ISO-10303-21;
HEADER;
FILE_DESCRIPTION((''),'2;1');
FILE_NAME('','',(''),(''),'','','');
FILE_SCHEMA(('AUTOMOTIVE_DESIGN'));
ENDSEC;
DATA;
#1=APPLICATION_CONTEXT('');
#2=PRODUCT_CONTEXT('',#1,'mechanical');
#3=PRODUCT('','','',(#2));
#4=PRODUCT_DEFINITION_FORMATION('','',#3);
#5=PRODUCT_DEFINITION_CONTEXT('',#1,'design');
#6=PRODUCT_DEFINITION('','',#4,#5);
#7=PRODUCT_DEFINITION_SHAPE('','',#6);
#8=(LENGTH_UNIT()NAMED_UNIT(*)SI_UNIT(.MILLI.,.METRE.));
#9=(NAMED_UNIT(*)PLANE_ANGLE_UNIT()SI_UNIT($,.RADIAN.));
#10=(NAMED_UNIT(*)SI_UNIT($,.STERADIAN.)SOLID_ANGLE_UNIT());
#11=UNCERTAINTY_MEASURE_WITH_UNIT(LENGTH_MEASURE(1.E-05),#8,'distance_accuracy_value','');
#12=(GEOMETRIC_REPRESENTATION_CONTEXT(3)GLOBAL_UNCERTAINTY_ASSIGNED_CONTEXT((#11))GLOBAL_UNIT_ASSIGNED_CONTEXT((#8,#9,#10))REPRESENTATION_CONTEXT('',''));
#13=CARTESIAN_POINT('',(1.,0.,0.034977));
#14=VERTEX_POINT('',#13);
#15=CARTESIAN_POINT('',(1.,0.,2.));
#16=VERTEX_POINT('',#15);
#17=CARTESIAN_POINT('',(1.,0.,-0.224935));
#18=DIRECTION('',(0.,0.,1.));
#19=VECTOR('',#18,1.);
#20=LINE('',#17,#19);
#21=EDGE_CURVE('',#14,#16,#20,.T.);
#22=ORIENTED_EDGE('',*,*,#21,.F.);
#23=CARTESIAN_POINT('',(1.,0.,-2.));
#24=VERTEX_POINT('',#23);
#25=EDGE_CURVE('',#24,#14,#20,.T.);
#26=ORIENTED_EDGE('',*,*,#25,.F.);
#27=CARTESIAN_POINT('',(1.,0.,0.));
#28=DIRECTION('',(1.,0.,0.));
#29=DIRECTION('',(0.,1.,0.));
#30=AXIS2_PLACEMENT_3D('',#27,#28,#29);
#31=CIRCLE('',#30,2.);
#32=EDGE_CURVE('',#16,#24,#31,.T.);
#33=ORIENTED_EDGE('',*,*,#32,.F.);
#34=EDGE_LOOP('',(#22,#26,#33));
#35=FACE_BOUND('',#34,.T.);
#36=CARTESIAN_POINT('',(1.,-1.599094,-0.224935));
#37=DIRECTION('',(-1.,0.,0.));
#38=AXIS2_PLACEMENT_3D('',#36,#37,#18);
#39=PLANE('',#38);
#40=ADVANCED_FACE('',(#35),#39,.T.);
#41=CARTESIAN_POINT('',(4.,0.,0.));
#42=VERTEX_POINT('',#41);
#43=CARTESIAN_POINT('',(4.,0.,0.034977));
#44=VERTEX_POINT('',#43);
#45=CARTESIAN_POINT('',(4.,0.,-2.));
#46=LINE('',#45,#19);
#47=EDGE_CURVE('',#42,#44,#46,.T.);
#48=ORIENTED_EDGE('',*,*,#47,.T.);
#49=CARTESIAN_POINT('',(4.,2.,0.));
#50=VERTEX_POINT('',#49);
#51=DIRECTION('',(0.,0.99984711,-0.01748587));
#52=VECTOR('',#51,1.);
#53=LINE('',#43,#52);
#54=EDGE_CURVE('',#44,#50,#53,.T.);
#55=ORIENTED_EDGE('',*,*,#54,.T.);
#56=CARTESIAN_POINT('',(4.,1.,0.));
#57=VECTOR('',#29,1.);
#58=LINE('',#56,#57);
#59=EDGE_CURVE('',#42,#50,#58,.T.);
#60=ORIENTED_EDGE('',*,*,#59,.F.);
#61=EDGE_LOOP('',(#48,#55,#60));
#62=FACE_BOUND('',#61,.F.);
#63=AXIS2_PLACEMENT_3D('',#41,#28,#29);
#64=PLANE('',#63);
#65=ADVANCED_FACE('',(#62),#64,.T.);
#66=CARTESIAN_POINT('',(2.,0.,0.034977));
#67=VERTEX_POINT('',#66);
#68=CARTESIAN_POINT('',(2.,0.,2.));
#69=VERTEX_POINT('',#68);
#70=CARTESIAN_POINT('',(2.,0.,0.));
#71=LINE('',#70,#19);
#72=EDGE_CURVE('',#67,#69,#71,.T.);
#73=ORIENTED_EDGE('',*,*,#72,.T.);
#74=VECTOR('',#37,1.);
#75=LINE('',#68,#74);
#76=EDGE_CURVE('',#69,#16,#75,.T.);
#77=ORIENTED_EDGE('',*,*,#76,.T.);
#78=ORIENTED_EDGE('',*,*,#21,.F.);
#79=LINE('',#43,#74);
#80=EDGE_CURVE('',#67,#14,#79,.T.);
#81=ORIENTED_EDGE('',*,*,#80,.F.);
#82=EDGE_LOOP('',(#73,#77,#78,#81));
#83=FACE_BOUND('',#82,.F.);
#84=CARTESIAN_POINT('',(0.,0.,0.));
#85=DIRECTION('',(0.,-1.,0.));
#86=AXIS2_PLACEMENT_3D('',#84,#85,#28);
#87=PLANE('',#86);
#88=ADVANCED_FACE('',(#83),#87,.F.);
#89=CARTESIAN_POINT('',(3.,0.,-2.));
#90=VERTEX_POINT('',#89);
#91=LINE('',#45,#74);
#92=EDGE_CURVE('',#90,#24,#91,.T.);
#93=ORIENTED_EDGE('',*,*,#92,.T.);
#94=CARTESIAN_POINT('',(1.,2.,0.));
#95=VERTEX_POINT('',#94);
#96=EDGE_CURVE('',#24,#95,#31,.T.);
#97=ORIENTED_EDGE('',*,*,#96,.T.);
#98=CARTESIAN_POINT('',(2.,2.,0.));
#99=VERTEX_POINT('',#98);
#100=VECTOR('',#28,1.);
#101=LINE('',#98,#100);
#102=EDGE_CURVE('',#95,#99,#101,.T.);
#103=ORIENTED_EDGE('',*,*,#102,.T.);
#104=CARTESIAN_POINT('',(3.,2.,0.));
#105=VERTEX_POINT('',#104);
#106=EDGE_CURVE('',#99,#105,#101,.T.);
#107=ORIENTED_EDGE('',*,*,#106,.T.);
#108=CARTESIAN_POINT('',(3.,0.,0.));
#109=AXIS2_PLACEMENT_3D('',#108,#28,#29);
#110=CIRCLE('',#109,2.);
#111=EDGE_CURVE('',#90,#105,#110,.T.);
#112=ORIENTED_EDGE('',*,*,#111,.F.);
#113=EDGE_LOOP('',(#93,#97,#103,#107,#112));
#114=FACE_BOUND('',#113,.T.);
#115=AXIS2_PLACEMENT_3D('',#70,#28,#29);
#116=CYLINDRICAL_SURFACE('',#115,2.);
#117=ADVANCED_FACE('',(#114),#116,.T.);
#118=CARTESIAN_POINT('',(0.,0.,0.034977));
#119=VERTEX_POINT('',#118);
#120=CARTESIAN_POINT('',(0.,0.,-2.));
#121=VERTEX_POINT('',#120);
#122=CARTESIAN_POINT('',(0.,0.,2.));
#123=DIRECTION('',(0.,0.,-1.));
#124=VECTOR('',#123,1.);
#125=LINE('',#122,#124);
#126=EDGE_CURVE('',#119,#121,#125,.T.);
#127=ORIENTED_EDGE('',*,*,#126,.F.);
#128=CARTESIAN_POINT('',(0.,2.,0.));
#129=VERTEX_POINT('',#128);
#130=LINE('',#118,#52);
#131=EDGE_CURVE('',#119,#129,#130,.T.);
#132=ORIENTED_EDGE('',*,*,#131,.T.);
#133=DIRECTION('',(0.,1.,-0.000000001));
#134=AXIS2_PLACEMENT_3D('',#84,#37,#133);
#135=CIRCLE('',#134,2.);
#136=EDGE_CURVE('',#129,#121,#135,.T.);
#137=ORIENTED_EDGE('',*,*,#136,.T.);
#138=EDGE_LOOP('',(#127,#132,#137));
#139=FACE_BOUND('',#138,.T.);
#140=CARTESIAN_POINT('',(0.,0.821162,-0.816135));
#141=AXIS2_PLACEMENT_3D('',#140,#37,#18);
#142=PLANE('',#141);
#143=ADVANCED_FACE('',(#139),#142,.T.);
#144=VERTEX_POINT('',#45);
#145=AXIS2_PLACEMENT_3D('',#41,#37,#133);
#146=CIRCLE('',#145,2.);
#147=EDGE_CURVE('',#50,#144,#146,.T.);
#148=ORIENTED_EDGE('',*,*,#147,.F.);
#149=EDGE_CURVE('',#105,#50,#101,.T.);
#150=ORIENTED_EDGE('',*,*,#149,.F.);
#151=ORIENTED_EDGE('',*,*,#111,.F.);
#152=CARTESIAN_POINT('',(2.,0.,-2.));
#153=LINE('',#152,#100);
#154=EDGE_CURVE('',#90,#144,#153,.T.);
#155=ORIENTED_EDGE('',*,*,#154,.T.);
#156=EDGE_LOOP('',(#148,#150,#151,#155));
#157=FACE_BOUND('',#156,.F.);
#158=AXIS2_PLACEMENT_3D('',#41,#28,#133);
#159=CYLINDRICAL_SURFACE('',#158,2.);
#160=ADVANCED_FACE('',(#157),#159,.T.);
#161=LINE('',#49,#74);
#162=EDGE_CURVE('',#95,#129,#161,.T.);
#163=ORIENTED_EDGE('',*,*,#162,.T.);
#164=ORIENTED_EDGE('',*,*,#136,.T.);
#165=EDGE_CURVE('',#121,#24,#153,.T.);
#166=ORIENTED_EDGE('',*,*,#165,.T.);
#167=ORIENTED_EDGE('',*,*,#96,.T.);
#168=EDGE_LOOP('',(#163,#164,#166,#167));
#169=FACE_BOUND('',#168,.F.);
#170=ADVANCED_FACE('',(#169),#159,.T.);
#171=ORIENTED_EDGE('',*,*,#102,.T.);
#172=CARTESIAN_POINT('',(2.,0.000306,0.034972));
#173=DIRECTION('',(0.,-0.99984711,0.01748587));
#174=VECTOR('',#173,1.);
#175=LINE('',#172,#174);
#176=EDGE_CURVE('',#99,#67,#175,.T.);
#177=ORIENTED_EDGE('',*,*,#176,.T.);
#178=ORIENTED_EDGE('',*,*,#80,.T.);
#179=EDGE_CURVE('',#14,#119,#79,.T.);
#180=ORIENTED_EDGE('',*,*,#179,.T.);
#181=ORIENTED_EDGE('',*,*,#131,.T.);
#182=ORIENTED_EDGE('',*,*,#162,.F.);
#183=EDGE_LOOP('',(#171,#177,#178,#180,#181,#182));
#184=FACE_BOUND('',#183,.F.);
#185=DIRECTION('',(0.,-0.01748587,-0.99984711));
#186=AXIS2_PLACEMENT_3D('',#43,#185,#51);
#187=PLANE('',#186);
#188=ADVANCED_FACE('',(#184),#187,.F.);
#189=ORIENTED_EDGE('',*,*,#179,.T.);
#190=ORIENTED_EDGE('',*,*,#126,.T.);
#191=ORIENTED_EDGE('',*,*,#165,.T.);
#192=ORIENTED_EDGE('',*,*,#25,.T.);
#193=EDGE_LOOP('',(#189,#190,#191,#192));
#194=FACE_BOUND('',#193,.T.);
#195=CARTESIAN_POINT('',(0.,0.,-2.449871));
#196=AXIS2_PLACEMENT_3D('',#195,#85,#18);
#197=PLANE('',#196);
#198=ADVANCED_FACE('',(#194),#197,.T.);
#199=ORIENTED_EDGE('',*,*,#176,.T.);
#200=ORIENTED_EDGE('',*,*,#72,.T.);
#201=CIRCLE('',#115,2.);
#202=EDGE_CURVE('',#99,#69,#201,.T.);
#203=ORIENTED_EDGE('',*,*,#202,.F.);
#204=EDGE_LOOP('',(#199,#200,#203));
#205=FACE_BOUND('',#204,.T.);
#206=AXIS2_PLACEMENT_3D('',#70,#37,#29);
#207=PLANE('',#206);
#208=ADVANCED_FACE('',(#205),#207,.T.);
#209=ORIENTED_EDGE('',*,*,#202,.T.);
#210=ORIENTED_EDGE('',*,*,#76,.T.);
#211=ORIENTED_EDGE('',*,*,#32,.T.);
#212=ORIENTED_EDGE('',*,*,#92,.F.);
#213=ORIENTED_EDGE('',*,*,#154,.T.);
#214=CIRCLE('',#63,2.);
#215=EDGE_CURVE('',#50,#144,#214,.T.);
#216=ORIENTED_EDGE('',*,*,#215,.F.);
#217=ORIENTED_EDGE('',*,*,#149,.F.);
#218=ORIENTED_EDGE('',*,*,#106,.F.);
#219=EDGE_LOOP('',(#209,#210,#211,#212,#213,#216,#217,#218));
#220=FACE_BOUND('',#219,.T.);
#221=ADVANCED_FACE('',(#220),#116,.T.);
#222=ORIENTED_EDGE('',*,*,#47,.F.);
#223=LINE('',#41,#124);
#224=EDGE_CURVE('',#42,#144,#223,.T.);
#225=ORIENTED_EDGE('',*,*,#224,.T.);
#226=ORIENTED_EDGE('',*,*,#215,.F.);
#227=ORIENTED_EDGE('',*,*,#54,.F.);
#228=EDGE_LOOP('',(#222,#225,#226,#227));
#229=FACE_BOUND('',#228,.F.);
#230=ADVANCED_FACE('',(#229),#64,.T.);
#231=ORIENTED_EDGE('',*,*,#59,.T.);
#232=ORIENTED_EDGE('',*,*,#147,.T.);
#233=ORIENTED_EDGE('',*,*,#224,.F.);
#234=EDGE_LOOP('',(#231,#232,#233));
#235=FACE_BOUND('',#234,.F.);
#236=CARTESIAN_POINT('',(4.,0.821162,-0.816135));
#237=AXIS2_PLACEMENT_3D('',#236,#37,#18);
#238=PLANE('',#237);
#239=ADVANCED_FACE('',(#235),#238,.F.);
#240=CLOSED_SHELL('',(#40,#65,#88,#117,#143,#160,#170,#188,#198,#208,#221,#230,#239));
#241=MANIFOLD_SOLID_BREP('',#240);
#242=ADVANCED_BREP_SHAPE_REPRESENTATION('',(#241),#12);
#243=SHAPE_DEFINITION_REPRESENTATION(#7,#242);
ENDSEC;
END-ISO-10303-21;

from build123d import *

# Parameters (mm, degrees)
SKETCH5_W           = 4
SKETCH5_H           = 2
SKETCH6_W           = 1
SKETCH6_H           = 2
CUT_EXTRUDE5_DEPTH  = 11
SKETCH8_W           = 0.5
SKETCH8_H           = 2
CUT_EXTRUDE7_DEPTH  = 10
SKETCH9_W           = 1.5
SKETCH9_H           = 2
CUT_EXTRUDE8_DEPTH  = 10
BOSS_EXTRUDE1_DEPTH = 4
SKETCH13_W          = 4.449870591
SKETCH13_H          = 3.198188742
CUT_EXTRUDE10_DEPTH = 1


with BuildPart() as part:
    # Sketch5 → Revolve-Thin2 (revolve)
    with BuildSketch(Plane.XY):
        with Locations((2, 1)):
            Rectangle(SKETCH5_W, SKETCH5_H)
    revolve(axis=Axis((0, 0, 0), (1, 0, 0)))

    # Sketch6 → Cut-Extrude5 (cut)
    with BuildSketch(Plane.XY):
        with Locations((3.5, 1)):
            Rectangle(SKETCH6_W, SKETCH6_H)
        with Locations((0.5, 1)):
            Rectangle(SKETCH6_W, SKETCH6_H)
    extrude(amount=-CUT_EXTRUDE5_DEPTH, mode=Mode.SUBTRACT)

    # Sketch8 → Cut-Extrude7 (cut)
    with BuildSketch(Plane(origin=(0, 0, 0), x_dir=(-1, 0, 0), z_dir=(0, 0, -1))):
        with Locations((-0.25, 1)):
            Rectangle(SKETCH8_W, SKETCH8_H)
    extrude(amount=-CUT_EXTRUDE7_DEPTH, mode=Mode.SUBTRACT)

    # Sketch9 → Cut-Extrude8 (cut)
    with BuildSketch(Plane(origin=(0, 0, 0), x_dir=(-1, 0, 0), z_dir=(0, 0, -1))):
        with Locations((-1.25, 1)):
            Rectangle(SKETCH9_W, SKETCH9_H)
    extrude(amount=-CUT_EXTRUDE8_DEPTH, mode=Mode.SUBTRACT)

    # Sketch10 → Boss-Extrude1 (add)
    with BuildSketch(Plane(origin=(4, 0, 0), x_dir=(0, 0, -1), z_dir=(1, 0, 0))):
        with BuildLine():
            Line((2, 0), (-0.034977088, 0))
            Line((-0.034977088, 0), (0, 2))
            ThreePointArc((0, 2), (1.414213562, 1.414213562), (2, 0))
        make_face()
    extrude(amount=-BOSS_EXTRUDE1_DEPTH)

    # Sketch13 → Cut-Extrude10 (cut)
    with BuildSketch(Plane.ZY):
        with Locations((-0.224935296, -1.599094371)):
            Rectangle(SKETCH13_W, SKETCH13_H)
    extrude(amount=-CUT_EXTRUDE10_DEPTH, mode=Mode.SUBTRACT)


solid = part.part
